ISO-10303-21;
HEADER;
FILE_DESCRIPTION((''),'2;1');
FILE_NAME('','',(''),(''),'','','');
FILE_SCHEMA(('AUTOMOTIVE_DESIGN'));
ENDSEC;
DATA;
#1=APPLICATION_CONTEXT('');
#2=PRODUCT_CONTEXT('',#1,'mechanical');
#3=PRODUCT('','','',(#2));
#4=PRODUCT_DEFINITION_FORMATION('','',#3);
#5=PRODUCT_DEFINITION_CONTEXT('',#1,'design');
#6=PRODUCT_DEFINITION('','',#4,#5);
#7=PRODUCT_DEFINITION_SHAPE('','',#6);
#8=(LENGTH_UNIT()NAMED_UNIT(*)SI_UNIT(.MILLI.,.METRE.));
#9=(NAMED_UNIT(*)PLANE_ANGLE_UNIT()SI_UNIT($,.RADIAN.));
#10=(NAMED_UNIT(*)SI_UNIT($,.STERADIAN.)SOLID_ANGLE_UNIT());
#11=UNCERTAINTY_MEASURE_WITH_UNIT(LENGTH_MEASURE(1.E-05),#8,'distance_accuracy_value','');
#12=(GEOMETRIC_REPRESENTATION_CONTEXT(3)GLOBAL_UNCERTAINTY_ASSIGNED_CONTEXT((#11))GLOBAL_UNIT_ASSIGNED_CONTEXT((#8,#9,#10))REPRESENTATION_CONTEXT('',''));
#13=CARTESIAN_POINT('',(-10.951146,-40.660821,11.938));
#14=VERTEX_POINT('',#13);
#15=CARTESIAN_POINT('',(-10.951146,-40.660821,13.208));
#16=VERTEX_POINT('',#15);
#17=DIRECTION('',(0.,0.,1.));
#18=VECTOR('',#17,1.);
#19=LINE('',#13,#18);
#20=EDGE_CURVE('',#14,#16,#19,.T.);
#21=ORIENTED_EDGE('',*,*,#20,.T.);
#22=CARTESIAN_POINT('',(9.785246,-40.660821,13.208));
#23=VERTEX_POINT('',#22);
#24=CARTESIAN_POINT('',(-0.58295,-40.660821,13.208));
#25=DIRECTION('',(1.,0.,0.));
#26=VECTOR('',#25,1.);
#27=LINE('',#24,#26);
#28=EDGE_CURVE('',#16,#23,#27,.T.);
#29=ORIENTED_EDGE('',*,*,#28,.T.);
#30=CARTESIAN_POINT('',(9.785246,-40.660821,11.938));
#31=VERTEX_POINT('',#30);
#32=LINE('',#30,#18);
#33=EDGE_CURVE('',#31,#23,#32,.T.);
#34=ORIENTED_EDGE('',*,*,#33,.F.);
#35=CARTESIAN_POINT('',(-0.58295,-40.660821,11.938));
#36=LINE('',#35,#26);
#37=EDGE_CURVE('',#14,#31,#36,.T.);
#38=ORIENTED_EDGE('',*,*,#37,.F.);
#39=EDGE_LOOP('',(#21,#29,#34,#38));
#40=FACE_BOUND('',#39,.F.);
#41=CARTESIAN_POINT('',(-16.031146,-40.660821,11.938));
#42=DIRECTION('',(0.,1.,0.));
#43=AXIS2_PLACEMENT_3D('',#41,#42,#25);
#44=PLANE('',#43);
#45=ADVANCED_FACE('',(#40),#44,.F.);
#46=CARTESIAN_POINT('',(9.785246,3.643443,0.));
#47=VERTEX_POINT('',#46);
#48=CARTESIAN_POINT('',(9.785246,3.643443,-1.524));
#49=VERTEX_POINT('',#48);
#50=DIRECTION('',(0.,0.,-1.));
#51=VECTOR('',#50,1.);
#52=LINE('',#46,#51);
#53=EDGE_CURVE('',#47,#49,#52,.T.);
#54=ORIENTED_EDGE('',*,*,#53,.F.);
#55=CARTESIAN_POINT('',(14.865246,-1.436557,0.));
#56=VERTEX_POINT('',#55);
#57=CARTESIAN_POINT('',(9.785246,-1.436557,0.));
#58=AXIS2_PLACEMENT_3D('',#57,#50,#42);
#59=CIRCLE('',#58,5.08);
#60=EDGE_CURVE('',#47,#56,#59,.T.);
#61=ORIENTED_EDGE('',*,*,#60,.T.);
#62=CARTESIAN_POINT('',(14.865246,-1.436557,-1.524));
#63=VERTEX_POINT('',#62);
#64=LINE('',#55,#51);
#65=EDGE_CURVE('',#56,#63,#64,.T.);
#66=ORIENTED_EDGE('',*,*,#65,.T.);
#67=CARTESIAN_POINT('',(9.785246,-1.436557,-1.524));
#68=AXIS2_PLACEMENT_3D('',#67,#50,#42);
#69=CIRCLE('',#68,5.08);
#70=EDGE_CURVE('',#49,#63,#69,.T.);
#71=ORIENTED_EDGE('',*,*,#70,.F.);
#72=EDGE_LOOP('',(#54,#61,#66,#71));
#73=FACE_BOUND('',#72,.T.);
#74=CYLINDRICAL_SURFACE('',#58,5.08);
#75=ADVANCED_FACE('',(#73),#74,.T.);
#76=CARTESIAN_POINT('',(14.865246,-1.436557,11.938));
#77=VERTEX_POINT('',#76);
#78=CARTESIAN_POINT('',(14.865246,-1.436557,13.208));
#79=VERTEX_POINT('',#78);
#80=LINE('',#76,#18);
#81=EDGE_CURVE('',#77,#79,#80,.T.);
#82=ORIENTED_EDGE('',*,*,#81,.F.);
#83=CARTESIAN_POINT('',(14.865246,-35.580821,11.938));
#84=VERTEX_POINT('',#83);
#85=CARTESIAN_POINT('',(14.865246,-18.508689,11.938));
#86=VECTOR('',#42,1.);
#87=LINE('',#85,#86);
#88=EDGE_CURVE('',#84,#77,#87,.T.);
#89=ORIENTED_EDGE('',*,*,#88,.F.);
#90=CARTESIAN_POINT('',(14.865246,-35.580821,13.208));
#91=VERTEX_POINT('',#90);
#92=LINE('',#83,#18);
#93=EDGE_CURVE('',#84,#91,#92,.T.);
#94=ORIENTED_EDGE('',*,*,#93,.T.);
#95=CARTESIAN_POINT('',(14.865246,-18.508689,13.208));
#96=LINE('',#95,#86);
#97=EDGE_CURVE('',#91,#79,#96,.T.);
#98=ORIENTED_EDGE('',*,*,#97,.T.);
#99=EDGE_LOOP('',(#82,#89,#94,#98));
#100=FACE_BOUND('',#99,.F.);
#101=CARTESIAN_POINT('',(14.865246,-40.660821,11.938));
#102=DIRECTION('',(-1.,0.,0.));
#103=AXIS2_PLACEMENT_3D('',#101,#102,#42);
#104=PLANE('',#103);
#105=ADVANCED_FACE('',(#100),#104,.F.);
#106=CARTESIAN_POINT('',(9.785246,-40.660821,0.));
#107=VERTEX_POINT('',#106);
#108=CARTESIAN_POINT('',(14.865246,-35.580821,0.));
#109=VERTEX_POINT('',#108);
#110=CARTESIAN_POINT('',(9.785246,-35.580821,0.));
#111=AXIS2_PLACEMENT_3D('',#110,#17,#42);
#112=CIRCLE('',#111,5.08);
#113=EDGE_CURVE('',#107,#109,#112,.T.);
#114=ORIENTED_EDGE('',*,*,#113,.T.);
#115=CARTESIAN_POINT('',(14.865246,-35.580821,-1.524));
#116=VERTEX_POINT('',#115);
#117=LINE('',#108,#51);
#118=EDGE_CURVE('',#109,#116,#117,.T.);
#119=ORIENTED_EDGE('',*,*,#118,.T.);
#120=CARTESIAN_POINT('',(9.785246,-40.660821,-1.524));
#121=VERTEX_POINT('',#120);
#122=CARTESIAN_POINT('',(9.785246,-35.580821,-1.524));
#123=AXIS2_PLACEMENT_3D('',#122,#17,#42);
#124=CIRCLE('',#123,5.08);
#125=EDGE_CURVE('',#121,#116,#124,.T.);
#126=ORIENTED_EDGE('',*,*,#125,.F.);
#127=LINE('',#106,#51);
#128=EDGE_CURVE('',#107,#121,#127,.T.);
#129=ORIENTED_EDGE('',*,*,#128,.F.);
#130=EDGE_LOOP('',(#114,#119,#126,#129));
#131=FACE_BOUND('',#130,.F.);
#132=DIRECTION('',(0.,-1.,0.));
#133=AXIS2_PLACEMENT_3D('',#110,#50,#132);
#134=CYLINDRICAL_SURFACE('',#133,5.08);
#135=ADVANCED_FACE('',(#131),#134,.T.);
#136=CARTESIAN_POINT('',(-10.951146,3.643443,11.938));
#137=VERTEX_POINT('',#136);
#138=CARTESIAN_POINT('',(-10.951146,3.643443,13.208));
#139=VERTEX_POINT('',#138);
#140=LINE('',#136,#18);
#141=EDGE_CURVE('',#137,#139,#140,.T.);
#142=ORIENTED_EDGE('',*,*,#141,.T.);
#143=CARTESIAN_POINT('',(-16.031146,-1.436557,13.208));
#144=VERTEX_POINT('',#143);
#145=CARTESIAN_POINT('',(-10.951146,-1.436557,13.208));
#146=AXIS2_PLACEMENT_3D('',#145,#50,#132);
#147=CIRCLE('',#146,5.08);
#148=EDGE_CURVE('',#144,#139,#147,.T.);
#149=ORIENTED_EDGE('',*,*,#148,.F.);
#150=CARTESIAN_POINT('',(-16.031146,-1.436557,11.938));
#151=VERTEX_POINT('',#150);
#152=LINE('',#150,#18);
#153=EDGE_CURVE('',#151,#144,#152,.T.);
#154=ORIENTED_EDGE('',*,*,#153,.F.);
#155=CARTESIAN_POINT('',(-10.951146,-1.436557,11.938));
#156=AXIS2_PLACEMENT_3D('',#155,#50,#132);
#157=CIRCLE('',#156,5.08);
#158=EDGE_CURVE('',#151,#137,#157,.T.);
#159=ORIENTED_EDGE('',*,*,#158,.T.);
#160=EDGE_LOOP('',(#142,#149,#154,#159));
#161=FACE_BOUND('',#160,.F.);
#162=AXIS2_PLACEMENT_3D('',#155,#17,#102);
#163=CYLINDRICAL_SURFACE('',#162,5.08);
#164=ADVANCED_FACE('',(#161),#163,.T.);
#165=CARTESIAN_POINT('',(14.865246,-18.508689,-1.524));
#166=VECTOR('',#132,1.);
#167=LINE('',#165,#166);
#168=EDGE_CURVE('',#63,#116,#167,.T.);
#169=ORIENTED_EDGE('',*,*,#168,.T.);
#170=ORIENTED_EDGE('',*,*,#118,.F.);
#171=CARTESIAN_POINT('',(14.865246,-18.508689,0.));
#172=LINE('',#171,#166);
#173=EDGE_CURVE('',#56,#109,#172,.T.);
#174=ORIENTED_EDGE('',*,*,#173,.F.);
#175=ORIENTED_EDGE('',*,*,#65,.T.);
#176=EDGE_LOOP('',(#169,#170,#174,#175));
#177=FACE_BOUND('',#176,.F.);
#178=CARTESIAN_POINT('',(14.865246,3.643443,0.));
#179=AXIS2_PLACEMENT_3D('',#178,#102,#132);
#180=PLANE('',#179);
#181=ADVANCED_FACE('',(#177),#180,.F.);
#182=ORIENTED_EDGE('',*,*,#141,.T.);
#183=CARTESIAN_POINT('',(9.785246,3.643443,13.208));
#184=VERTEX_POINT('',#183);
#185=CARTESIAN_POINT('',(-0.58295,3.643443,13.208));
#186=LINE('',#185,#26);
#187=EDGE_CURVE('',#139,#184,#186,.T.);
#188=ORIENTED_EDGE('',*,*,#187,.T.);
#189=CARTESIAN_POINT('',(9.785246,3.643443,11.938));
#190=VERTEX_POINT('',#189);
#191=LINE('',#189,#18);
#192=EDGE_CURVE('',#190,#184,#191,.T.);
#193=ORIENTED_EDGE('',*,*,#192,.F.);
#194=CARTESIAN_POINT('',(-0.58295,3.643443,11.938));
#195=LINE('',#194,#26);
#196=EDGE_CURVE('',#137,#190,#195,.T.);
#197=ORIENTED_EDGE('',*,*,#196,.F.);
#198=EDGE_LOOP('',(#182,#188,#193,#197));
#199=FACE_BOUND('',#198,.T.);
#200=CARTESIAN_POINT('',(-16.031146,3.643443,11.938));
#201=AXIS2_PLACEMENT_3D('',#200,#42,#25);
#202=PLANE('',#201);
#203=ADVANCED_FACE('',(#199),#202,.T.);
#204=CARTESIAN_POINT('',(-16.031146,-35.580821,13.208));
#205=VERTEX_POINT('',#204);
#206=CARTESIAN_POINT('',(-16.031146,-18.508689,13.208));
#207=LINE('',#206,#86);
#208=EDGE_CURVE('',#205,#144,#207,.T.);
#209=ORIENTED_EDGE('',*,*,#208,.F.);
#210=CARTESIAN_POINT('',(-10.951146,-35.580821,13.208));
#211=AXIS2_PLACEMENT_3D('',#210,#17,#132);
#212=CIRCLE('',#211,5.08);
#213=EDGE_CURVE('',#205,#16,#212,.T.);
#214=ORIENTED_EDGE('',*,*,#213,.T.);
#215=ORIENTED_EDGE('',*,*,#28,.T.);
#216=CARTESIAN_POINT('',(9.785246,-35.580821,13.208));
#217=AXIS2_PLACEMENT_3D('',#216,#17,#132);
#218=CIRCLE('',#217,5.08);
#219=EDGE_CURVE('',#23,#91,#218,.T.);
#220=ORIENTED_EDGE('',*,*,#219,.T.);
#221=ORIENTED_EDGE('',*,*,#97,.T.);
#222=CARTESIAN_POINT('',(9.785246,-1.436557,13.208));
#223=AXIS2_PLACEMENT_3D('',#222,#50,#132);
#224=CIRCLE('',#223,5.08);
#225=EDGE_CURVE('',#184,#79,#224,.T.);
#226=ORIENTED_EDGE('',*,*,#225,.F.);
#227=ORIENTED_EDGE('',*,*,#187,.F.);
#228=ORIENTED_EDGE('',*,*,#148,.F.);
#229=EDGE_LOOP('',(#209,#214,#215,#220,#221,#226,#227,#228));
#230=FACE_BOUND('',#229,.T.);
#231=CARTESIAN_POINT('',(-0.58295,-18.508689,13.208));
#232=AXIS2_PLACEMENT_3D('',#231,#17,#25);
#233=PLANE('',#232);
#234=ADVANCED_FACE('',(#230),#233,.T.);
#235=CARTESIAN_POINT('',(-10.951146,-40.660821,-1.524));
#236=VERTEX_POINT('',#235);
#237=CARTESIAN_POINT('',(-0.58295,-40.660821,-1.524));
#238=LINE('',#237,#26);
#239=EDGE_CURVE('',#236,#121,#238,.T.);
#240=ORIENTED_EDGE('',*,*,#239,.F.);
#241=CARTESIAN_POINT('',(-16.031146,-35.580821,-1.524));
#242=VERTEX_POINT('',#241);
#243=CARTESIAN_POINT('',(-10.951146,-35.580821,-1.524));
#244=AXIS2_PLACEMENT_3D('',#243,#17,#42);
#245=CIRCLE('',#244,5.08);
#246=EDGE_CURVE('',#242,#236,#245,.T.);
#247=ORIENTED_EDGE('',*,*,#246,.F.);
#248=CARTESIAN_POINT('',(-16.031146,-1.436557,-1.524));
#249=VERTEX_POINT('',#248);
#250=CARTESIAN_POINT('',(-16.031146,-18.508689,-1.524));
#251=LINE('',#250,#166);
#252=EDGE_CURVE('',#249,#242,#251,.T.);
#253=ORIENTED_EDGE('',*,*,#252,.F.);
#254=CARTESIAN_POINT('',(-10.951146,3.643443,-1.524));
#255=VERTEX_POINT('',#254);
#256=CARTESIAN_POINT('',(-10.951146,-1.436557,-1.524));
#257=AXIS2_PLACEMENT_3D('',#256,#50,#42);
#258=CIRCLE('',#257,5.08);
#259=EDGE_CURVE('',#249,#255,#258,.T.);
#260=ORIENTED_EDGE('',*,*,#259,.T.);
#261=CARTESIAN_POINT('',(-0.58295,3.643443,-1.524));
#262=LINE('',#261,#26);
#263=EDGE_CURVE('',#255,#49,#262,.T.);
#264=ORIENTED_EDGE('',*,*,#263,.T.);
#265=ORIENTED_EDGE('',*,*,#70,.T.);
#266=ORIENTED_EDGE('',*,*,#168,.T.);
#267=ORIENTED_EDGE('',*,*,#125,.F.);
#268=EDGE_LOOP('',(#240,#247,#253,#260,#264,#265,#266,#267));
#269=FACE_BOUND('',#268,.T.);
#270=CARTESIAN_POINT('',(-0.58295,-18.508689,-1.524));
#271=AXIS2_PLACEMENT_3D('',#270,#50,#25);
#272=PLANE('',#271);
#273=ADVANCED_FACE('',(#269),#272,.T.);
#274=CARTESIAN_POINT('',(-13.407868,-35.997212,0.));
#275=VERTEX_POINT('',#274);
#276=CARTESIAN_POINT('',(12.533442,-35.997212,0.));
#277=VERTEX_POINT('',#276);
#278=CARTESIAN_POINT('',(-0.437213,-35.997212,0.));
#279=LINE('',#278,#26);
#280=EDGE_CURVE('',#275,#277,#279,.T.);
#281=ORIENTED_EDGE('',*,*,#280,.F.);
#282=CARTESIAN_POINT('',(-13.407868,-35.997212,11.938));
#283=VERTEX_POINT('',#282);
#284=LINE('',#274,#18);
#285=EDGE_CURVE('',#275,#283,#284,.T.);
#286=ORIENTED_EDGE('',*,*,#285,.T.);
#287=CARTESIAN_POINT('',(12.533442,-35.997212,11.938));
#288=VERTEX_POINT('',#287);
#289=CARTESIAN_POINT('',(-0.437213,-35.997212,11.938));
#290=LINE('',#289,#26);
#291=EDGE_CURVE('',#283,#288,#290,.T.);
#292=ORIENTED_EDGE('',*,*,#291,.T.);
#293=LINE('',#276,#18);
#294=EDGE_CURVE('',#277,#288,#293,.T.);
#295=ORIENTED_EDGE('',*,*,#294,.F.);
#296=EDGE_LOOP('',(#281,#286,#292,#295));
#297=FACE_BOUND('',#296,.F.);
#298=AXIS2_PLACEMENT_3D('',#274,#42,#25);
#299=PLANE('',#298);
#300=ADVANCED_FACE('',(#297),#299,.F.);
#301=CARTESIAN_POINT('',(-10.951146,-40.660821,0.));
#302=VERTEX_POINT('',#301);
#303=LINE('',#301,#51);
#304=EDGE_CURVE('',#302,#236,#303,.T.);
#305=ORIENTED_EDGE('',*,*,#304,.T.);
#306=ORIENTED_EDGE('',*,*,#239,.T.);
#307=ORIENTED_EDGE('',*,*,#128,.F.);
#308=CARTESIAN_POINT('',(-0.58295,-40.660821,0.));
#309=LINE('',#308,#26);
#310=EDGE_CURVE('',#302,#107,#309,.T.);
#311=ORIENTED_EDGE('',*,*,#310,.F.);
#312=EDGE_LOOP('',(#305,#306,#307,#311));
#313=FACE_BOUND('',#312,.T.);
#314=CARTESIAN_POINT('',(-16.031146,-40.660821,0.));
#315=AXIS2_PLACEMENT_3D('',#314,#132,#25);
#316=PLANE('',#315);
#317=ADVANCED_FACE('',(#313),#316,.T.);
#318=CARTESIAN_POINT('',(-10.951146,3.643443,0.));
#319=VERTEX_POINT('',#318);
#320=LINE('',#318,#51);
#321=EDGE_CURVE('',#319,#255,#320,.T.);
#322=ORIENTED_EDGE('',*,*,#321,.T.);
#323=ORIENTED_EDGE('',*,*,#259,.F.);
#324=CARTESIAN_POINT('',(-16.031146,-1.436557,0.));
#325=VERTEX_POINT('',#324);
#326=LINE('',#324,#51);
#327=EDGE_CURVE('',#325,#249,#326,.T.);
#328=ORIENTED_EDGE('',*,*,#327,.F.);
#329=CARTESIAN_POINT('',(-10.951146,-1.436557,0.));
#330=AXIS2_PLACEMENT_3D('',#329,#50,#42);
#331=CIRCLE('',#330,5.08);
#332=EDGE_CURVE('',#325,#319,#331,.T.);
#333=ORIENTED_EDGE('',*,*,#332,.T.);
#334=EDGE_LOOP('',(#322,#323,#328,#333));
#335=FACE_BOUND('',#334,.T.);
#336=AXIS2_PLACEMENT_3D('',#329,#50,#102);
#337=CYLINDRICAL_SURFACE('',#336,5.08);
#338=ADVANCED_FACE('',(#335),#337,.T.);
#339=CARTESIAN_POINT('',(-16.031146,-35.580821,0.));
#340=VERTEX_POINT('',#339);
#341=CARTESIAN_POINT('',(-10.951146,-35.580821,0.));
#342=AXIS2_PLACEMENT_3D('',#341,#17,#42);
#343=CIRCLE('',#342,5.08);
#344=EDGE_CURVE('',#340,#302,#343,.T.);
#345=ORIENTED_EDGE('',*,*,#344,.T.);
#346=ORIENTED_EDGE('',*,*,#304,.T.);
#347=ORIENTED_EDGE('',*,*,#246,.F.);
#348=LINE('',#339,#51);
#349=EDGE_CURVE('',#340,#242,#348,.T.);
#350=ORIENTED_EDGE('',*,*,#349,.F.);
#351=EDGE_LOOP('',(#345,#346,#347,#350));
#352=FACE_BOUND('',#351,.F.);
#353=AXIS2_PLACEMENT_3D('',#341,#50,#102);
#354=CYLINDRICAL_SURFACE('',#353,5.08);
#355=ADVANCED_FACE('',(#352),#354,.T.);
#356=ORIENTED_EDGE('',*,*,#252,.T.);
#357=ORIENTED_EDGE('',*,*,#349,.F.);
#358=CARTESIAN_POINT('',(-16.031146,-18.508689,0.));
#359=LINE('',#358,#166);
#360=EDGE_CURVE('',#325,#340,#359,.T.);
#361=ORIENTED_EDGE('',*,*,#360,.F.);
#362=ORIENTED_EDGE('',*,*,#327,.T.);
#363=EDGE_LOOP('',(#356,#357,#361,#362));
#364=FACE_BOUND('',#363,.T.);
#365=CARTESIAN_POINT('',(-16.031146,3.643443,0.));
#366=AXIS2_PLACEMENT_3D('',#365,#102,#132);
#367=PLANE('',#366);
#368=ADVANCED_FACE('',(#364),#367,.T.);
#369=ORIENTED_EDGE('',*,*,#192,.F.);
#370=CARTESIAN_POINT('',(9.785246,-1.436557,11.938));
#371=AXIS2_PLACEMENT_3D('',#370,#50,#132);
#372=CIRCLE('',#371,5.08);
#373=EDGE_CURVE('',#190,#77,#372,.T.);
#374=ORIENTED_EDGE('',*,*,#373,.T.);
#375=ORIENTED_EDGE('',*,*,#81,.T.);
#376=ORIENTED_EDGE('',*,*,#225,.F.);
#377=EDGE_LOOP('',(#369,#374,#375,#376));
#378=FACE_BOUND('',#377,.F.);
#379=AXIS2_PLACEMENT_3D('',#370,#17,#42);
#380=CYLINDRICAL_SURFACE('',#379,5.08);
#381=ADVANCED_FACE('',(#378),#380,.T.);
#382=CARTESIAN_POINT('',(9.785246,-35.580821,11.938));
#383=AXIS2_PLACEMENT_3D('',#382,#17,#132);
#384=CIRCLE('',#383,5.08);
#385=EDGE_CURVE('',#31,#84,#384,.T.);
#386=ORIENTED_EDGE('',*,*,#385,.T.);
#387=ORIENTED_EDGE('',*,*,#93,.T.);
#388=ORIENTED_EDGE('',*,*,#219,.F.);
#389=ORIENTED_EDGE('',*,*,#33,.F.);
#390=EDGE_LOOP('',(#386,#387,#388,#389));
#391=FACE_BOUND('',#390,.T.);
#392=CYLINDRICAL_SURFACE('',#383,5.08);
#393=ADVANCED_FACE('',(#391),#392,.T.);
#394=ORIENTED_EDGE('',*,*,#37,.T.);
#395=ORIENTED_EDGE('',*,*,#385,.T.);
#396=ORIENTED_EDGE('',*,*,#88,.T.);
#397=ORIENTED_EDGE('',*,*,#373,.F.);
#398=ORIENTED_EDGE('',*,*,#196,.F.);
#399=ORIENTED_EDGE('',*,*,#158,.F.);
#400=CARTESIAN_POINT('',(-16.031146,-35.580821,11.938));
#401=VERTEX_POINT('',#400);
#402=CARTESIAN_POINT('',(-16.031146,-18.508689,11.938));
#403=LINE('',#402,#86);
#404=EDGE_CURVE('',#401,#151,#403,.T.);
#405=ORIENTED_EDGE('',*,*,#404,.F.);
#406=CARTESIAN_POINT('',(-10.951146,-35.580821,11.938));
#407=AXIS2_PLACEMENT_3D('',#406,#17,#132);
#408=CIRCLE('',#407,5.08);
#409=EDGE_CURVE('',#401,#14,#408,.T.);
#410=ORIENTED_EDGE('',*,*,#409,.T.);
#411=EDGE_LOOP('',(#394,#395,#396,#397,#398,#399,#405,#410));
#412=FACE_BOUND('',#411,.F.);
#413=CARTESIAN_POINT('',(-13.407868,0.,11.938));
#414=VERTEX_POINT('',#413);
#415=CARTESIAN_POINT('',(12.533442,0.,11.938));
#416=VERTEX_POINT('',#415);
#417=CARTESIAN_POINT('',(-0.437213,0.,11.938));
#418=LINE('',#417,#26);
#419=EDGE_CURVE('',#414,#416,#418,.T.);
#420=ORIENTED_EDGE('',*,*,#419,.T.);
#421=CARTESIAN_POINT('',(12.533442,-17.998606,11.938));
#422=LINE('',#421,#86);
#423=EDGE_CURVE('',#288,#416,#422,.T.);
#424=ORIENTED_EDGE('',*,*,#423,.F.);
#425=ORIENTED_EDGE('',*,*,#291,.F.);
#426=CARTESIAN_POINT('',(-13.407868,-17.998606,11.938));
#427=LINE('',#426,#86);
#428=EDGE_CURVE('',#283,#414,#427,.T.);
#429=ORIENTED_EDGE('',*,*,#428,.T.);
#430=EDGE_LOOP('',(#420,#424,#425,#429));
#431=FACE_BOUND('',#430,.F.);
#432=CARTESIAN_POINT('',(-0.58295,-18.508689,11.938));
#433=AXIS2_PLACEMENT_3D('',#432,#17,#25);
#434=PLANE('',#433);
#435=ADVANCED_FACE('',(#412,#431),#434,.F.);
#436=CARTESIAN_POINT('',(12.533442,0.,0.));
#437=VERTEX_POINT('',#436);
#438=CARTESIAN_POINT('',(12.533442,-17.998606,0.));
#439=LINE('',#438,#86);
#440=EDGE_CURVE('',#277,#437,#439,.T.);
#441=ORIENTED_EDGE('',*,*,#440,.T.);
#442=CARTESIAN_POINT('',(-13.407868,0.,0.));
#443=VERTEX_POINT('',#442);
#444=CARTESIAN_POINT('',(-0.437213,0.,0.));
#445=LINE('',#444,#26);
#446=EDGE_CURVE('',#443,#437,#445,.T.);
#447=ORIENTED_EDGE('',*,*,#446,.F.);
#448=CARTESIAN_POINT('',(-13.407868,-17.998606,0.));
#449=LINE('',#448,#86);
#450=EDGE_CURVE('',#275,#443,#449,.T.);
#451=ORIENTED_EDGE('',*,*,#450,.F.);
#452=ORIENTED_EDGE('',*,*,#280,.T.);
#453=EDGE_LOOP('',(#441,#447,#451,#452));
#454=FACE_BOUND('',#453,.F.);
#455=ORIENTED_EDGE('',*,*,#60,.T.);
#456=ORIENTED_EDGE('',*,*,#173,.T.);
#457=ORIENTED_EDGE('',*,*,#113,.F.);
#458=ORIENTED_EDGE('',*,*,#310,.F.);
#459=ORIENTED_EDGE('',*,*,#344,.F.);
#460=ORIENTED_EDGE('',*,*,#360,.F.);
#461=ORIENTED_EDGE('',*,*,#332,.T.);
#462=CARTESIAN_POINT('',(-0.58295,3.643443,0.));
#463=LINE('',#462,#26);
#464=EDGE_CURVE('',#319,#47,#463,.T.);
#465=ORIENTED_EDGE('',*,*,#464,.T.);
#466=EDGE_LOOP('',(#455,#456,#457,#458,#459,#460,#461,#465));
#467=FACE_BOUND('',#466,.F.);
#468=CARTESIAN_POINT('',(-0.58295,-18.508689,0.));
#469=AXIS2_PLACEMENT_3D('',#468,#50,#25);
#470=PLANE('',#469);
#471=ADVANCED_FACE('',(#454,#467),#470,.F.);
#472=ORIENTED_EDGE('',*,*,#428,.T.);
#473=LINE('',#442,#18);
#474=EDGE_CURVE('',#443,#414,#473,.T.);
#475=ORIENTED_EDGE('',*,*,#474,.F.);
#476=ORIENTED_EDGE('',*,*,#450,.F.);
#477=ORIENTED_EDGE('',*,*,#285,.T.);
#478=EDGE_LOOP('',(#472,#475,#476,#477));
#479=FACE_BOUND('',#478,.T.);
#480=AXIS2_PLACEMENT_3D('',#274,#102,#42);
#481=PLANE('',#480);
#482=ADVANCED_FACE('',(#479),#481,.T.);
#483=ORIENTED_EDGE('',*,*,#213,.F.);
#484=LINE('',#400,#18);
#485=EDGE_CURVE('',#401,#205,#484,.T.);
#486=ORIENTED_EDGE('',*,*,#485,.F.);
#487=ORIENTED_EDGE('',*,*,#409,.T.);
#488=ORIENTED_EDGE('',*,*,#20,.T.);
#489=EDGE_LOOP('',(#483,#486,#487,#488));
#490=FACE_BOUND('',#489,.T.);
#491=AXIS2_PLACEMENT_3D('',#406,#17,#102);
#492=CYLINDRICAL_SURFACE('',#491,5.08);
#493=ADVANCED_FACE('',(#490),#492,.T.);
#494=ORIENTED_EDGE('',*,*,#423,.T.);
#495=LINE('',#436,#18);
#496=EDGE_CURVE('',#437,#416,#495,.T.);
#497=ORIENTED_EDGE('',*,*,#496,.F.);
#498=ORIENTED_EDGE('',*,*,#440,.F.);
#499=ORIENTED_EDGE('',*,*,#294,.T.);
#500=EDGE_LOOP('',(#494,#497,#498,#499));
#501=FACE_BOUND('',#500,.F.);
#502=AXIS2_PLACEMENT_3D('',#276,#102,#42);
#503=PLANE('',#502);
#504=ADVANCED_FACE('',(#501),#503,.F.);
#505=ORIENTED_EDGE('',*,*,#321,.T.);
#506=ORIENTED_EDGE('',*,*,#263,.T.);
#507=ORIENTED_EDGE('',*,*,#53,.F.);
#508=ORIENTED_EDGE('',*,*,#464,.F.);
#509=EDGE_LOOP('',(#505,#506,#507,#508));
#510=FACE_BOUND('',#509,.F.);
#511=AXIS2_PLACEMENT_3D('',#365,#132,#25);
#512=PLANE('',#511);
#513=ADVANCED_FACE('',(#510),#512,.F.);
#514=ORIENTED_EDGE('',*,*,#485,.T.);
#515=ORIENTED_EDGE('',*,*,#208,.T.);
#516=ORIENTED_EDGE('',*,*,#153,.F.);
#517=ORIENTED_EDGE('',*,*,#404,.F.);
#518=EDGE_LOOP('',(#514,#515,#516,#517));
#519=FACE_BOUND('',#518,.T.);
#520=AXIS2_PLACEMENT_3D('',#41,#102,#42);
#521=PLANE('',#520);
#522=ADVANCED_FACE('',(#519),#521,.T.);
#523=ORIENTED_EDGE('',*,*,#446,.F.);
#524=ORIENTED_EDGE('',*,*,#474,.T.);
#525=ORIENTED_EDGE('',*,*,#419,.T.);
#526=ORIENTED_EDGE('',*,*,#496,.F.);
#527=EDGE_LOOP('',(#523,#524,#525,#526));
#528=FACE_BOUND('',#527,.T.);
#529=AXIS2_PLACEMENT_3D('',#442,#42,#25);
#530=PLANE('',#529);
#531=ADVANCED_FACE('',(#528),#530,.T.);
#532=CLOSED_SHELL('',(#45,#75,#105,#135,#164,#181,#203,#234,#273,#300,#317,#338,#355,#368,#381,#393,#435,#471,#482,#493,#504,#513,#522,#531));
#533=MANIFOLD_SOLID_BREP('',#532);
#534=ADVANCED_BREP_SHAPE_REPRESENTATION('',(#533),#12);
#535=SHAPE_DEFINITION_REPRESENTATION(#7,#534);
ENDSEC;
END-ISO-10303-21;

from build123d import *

# Parameters (mm, degrees)
F0_W     = 25.94131
F0_H     = 35.997212
F1_DEPTH = 11.938
F2_W     = 30.896392
F2_H     = 44.304264
F3_DEPTH = 1.27
F4_W     = 30.896392
F4_H     = 44.304264
F5_DEPTH = 1.524
F6_R     = 5.08


with BuildPart() as f1:
    # F0 (on Top) → F1 (new body)
    with BuildSketch(Plane.XY):
        with Locations((-0.437213, -17.998606)):
            Rectangle(F0_W, F0_H)
    extrude(amount=F1_DEPTH)

    # F2 (on face) → F3 (join)
    with BuildSketch(Plane.XY.offset(11.938)):
        with Locations((-0.58295, -18.508689)):
            Rectangle(F2_W, F2_H)
    extrude(amount=F3_DEPTH)

    # F4 (on face) → F5 (join)
    with BuildSketch(Plane(origin=(0, 0, 0), x_dir=(1, 0, 0), z_dir=(0, 0, -1))):
        with Locations((-0.58295, 18.508689)):
            Rectangle(F4_W, F4_H)
    extrude(amount=F5_DEPTH)

    # F6
    f6_edges = [f1.edges().sort_by_distance(p)[0] for p in [
        (14.865246, -40.660821, -0.762),
        (14.865246, -40.660821, 12.573),
        (14.865246, 3.643443, -0.762),
        (-16.031146, -40.660821, -0.762),
        (-16.031146, -40.660821, 12.573),
        (14.865246, 3.643443, 12.573),
        (-16.031146, 3.643443, 12.573),
        (-16.031146, 3.643443, -0.762),
    ]]
    fillet(f6_edges, radius=F6_R)


solid = f1.part
